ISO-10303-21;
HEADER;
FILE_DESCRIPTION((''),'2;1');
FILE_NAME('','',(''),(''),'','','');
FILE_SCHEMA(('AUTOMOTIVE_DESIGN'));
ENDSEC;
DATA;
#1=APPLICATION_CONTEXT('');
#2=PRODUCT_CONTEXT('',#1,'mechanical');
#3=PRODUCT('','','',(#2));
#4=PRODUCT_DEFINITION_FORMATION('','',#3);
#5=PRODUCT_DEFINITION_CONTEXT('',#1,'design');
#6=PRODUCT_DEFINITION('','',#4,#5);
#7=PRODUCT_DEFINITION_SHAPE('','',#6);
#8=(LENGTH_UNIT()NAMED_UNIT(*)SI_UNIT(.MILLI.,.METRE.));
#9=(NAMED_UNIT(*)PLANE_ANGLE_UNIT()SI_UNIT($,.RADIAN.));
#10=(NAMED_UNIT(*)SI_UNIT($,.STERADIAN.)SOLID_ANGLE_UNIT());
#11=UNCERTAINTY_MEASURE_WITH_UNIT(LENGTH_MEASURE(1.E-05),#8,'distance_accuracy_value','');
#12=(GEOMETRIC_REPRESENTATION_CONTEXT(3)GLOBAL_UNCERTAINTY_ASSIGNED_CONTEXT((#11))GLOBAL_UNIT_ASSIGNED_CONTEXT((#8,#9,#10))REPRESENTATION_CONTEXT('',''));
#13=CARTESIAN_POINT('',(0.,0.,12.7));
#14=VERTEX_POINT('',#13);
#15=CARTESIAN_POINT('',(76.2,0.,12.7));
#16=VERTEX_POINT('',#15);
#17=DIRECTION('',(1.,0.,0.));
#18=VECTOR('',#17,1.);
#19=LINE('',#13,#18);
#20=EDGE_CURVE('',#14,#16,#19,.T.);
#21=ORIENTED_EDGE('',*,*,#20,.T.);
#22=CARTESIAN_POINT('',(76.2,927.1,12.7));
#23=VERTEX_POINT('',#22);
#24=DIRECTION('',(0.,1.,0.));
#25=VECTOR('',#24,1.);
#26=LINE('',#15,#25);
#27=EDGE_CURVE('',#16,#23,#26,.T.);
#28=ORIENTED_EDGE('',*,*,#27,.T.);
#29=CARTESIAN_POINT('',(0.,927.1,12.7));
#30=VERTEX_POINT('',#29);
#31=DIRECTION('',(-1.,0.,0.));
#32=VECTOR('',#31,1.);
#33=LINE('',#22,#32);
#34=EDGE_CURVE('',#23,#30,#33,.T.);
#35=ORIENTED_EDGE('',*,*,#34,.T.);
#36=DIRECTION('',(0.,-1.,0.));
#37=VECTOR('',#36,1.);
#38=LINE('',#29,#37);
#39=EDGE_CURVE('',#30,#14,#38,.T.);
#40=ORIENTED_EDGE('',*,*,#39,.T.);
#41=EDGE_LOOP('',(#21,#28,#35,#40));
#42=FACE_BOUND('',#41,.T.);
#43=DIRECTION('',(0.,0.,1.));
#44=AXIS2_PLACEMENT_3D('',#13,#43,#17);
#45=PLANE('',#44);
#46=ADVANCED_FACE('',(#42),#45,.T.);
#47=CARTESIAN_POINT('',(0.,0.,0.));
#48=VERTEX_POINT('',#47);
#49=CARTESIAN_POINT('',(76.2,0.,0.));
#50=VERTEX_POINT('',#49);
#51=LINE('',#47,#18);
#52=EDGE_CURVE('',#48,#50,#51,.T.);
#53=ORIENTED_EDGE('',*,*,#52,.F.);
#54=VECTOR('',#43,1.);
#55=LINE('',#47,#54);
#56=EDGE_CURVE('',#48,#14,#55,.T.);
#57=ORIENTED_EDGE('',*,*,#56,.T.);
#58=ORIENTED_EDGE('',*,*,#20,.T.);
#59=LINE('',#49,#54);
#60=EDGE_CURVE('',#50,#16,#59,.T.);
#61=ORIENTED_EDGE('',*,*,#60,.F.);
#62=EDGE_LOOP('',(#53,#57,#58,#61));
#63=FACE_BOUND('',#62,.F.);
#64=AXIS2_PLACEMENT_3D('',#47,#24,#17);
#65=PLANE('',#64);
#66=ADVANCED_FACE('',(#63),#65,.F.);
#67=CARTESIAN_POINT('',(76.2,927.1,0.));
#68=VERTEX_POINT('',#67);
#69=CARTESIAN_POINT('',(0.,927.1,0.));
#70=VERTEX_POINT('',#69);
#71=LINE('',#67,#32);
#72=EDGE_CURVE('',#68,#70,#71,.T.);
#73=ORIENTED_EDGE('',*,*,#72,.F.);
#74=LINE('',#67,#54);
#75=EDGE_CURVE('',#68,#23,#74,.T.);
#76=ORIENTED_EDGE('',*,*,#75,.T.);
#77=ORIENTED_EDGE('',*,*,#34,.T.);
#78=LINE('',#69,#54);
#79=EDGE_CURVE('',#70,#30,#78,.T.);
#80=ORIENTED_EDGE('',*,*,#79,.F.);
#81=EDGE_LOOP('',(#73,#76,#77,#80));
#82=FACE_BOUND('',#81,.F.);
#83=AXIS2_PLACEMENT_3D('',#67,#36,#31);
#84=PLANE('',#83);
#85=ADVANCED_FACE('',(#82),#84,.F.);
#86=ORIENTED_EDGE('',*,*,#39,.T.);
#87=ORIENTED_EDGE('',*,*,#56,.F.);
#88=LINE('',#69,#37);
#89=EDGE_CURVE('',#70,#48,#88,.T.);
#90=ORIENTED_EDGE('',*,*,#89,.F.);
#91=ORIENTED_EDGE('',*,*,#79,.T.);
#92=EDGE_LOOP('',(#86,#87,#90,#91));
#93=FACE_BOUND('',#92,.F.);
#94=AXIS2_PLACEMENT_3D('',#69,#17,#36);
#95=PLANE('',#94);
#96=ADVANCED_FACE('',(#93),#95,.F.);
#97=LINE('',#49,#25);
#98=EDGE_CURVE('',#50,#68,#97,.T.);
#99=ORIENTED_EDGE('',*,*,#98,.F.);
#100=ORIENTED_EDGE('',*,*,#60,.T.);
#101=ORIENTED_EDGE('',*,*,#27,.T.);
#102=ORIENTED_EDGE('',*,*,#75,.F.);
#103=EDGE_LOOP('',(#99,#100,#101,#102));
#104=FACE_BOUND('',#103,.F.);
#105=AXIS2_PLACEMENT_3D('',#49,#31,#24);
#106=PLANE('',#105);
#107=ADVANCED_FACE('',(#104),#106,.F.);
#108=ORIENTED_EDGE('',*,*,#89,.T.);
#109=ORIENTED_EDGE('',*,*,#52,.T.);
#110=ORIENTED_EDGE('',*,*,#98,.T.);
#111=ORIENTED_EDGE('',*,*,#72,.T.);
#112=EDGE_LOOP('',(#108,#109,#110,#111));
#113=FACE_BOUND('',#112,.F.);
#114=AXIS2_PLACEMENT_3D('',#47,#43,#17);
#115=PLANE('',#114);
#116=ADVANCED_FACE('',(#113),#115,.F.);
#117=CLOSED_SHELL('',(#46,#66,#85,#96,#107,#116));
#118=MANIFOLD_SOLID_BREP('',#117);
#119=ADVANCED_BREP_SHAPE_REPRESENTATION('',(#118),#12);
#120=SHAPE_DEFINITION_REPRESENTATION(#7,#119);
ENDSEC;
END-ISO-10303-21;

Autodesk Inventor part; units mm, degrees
ref_plane "YZ Plane" through (0, 0, 0) normal (1, 0, 0) x (0, 1, 0)
ref_plane "XZ Plane" through (0, 0, 0) normal (0, 1, 0) x (-1, 0, 0)
ref_plane "XY Plane" through (0, 0, 0) normal (0, 0, 1) x (1, 0, 0)
sketch "Sketch1" plane through (0, 0, 0) normal (0, 0, 1) x (1, 0, 0)
  line L0 (0, 0) -> (76.2, 0)
  line L1 (76.2, 0) -> (76.2, 927.1)
  line L2 (76.2, 927.1) -> (0, 927.1)
  line L3 (0, 927.1) -> (0, 0)
  dimension "d0" = 76.2
  dimension "d1" = 927.1
extrude "Extrusion1" add sketch "Sketch1" along normal blind 12.7
properties part number "front beams" material "Wood (Oak)"
